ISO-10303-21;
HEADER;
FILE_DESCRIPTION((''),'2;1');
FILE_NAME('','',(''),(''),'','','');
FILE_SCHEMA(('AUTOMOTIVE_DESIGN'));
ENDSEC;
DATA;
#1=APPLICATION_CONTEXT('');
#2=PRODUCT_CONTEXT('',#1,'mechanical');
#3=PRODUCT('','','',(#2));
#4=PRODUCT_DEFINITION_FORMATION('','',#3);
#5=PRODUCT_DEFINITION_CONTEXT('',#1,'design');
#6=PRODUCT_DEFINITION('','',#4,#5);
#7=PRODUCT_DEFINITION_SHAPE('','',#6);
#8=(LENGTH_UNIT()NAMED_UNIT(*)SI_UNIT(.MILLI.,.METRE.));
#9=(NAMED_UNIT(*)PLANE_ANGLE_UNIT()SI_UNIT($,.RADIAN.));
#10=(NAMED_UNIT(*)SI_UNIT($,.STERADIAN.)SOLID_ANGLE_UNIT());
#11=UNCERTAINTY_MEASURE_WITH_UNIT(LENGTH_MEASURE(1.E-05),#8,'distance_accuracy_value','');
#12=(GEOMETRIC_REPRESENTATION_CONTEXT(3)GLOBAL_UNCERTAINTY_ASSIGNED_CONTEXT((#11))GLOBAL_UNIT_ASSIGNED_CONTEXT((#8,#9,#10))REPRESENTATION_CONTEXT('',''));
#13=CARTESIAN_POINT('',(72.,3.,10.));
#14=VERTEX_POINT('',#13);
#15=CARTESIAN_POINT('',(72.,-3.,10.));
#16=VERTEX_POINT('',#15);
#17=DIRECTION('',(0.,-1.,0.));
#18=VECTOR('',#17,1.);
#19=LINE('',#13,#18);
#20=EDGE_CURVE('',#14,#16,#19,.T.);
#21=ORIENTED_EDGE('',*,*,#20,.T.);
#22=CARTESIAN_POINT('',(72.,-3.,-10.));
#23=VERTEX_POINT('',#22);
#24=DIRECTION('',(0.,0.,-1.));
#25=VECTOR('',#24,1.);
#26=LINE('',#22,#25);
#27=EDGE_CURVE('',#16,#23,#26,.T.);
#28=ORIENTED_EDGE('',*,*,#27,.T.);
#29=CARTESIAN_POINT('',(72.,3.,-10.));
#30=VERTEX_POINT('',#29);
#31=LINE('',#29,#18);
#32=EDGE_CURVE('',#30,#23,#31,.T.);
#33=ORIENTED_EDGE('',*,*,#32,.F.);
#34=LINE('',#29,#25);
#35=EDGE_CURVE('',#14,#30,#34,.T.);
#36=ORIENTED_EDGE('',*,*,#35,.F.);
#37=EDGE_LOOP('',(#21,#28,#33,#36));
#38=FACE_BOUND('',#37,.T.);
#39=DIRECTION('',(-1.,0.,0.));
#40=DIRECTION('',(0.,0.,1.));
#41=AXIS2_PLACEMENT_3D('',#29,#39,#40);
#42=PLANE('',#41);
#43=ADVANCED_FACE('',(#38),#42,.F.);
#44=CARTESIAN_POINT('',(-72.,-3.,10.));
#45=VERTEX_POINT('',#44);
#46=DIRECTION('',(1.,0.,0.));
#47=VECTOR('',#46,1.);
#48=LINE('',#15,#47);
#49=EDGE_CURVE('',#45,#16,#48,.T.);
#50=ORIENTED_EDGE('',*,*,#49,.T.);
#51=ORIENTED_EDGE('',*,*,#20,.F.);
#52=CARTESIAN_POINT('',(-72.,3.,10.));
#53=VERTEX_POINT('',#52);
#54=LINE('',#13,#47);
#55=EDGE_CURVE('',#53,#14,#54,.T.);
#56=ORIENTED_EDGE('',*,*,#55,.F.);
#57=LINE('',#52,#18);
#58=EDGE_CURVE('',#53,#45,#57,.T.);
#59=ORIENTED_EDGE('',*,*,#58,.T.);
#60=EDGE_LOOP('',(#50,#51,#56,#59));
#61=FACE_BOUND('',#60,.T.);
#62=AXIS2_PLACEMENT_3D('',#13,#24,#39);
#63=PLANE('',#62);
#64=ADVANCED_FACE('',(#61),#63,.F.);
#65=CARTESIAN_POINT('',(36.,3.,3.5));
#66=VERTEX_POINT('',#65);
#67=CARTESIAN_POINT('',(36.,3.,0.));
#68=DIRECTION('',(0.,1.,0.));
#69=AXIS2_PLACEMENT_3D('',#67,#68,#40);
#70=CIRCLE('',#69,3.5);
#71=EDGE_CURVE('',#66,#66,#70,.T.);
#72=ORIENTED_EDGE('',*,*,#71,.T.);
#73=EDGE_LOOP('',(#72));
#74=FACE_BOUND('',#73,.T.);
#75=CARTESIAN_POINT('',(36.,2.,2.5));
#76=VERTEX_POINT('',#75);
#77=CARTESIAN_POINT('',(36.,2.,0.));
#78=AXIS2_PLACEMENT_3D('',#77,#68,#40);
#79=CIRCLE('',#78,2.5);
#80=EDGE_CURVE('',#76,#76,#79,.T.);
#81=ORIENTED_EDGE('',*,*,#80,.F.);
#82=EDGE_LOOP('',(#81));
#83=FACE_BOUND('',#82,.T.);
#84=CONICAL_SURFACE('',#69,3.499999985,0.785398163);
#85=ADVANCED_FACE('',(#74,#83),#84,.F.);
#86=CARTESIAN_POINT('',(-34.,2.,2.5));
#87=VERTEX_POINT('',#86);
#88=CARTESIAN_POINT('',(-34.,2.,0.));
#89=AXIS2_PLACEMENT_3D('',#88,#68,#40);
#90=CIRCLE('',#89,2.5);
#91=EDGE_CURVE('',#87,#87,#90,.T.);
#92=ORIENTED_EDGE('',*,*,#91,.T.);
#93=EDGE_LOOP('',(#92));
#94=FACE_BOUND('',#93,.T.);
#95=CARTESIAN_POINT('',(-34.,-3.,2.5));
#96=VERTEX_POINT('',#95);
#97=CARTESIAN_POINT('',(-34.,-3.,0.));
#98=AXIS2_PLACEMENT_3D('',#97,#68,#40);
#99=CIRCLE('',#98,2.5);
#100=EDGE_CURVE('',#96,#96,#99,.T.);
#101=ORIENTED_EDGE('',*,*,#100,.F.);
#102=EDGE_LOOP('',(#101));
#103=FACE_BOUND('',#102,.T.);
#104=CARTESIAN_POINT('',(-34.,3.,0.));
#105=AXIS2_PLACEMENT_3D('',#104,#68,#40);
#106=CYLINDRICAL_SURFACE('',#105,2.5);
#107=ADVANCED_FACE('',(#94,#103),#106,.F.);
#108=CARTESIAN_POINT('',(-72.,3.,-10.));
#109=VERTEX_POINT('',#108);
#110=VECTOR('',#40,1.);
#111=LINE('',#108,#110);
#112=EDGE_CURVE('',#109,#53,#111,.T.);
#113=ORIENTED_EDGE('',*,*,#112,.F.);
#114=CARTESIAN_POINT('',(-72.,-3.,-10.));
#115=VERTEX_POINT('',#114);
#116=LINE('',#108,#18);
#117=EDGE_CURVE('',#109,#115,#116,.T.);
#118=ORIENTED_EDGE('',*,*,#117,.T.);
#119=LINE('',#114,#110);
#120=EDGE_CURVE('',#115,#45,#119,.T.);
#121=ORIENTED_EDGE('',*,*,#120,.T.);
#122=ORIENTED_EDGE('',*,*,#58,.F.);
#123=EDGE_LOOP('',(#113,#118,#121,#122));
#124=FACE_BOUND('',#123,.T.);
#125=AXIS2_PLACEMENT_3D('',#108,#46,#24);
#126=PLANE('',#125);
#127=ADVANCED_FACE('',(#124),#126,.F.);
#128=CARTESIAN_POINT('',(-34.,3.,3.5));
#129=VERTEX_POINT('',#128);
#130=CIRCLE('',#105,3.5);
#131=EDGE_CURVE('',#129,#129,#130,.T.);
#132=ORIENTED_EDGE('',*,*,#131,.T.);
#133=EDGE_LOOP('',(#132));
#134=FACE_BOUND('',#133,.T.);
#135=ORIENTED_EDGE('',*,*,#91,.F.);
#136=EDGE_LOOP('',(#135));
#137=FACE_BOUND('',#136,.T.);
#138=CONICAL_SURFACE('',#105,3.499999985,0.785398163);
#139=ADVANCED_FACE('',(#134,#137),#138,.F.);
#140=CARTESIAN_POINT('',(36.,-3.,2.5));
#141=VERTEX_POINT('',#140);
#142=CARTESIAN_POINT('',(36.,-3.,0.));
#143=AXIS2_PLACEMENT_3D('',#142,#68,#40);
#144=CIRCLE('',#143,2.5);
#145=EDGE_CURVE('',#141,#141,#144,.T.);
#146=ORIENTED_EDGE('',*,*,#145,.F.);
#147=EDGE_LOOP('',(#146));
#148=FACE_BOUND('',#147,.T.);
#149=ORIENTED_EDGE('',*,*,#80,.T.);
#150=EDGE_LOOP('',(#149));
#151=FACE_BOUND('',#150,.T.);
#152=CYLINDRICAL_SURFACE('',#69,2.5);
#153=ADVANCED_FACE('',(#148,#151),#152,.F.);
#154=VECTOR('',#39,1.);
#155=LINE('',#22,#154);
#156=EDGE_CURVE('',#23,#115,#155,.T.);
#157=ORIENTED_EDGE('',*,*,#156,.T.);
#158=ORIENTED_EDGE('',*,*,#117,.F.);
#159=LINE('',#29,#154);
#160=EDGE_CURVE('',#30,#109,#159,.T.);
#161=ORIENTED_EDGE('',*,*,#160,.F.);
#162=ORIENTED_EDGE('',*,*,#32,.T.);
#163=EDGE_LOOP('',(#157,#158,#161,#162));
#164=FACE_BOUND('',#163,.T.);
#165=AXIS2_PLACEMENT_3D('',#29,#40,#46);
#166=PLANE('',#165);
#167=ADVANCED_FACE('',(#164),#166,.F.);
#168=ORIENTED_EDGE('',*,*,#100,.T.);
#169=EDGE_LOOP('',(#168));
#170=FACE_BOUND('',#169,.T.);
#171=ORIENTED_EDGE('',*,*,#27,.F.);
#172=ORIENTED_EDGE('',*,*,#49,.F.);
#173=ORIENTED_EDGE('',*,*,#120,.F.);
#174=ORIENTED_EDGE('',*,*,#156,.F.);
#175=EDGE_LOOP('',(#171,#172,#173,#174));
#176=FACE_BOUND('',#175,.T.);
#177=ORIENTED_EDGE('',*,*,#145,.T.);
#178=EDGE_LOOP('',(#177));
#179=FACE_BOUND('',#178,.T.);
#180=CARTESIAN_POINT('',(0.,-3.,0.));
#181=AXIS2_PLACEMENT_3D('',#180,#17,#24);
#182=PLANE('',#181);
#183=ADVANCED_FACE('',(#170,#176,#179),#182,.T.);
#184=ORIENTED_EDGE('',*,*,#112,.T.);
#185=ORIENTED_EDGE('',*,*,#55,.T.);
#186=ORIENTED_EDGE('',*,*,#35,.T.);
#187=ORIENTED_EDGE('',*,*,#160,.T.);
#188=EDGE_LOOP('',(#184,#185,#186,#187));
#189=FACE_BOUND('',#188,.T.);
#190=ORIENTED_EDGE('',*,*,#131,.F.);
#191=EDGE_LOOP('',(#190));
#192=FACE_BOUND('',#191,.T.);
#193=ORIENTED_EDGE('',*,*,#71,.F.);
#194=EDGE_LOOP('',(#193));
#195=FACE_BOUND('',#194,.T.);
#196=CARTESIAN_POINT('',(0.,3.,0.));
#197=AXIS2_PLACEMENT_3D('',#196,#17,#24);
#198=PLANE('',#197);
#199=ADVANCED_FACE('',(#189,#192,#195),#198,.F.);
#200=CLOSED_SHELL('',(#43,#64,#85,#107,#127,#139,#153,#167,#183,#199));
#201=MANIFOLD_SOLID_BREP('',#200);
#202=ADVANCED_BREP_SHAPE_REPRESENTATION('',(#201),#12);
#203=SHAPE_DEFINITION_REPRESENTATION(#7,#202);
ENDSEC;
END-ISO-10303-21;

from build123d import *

# Parameters (mm, degrees)
SKETCH2_W                                         = 144
SKETCH2_H                                         = 20
BOSS_EXTRUDE1_DEPTH                               = 3
CSK_FOR_0_FLAT_HEAD_MACHINE_SCREW_100_D           = 4.999999906
CSK_FOR_0_FLAT_HEAD_MACHINE_SCREW_100_CSINK_D     = 6.99999997
CSK_FOR_0_FLAT_HEAD_MACHINE_SCREW_100_CSINK_ANGLE = 90


with BuildPart() as part:
    # Sketch2 → Boss-Extrude1 (new, symmetric)
    with BuildSketch(Plane(origin=(0, 0, 0), x_dir=(1, 0, 0), z_dir=(0, 1, 0))):
        Rectangle(SKETCH2_W, SKETCH2_H)
    extrude(amount=BOSS_EXTRUDE1_DEPTH, both=True)

    # CSK for #0 Flat Head Machine Screw (100)1 (through all)
    with Locations(Plane(origin=(-34, 3, 0), x_dir=(0, 0, 1), z_dir=(0, 1, 0))):
        with Locations((0, 0), (0, 70)):
            CounterSinkHole(CSK_FOR_0_FLAT_HEAD_MACHINE_SCREW_100_D / 2, CSK_FOR_0_FLAT_HEAD_MACHINE_SCREW_100_CSINK_D / 2, counter_sink_angle=CSK_FOR_0_FLAT_HEAD_MACHINE_SCREW_100_CSINK_ANGLE)


solid = part.part
